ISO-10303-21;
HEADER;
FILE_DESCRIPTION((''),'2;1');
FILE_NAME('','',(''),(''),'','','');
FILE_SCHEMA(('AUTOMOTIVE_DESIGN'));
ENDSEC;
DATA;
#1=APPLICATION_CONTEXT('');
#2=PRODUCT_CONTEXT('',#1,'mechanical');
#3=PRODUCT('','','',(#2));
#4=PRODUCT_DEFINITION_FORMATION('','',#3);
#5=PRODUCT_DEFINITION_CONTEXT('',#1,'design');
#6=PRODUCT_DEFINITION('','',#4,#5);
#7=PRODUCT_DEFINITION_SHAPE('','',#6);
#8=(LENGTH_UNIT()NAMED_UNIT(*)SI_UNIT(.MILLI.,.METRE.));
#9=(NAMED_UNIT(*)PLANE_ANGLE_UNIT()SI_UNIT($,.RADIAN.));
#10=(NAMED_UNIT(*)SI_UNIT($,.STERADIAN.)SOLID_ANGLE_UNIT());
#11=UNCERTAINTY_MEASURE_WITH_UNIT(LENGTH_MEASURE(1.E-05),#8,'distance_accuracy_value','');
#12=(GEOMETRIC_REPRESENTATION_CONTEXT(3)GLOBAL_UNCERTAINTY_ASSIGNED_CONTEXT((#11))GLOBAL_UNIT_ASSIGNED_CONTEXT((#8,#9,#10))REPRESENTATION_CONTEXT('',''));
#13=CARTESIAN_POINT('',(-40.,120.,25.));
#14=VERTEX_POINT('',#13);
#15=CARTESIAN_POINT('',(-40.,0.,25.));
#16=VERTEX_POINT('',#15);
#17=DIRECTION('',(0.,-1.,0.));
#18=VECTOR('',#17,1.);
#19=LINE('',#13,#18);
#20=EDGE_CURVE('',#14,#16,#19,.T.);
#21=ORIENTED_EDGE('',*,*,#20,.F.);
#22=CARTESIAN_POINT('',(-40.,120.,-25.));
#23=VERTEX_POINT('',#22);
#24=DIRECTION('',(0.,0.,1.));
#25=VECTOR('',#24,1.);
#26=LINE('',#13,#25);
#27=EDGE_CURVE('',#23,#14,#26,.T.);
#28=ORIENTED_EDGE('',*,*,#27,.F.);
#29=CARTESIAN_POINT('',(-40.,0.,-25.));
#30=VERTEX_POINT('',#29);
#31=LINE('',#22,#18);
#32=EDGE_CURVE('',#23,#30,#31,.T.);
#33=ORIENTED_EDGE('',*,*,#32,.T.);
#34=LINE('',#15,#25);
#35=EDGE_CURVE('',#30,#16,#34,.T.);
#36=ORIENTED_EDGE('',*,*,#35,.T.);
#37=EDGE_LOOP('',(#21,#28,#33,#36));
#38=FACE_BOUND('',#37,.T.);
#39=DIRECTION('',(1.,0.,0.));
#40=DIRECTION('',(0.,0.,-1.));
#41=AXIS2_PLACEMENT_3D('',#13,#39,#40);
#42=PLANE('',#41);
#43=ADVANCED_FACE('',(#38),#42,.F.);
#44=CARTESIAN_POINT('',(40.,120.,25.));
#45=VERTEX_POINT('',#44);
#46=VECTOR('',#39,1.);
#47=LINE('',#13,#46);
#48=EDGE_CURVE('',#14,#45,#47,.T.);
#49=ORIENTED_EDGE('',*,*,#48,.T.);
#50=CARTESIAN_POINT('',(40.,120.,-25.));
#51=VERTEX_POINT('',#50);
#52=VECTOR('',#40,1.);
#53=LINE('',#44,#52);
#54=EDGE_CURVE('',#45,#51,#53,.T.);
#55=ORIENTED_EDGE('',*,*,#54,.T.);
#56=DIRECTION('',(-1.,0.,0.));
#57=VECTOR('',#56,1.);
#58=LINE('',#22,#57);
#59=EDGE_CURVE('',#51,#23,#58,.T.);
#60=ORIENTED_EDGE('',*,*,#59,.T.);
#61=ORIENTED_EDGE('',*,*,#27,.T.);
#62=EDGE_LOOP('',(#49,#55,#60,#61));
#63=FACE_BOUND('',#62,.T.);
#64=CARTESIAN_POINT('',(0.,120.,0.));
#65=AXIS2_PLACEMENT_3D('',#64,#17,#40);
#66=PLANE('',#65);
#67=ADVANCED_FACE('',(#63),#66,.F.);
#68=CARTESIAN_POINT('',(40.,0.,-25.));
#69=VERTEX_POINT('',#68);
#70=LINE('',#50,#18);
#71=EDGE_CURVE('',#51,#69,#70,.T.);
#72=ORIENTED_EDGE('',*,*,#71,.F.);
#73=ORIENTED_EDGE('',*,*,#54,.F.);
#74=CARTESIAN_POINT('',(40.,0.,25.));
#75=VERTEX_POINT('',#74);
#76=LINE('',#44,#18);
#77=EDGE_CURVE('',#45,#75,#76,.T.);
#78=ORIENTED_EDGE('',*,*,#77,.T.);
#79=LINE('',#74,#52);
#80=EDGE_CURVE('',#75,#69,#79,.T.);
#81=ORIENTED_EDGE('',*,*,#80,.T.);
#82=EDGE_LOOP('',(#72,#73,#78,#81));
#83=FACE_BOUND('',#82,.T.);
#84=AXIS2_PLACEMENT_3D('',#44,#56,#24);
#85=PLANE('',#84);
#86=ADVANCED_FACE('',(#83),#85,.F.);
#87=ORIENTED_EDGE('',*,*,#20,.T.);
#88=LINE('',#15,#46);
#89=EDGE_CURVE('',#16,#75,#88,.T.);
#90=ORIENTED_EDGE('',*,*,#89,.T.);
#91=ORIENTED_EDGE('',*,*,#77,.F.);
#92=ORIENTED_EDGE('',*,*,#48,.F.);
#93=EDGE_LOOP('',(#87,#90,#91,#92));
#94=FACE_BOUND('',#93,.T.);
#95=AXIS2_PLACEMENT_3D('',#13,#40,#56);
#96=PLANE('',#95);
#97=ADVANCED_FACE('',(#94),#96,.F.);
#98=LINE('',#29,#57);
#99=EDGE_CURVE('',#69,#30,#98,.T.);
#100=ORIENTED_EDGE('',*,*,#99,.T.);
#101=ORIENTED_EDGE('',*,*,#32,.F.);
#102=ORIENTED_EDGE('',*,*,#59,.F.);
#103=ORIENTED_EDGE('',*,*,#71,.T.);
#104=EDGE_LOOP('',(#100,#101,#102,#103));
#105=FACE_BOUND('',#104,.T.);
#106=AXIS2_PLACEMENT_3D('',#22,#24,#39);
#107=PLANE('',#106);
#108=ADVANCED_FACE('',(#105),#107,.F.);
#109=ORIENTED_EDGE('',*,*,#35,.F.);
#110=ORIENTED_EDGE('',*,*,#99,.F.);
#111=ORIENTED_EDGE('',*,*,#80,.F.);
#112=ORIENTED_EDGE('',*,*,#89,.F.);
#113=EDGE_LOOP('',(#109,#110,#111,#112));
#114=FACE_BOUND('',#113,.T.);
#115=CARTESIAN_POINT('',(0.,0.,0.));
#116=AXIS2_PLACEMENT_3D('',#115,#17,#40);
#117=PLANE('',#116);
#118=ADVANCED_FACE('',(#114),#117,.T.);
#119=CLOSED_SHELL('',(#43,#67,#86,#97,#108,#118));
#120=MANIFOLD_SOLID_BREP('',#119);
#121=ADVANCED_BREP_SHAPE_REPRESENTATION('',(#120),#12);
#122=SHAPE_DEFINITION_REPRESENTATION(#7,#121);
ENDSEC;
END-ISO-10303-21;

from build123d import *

# Parameters (mm, degrees)
SKETCH_1_W      = 80
SKETCH_1_H      = 50
EXTRUDE_1_DEPTH = 120


with BuildPart() as part:
    # 草图1 → 凸台-拉伸1 (new body)
    with BuildSketch(Plane(origin=(0, 0, 0), x_dir=(1, 0, 0), z_dir=(0, 1, 0))):
        Rectangle(SKETCH_1_W, SKETCH_1_H)
    extrude(amount=EXTRUDE_1_DEPTH)


solid = part.part
